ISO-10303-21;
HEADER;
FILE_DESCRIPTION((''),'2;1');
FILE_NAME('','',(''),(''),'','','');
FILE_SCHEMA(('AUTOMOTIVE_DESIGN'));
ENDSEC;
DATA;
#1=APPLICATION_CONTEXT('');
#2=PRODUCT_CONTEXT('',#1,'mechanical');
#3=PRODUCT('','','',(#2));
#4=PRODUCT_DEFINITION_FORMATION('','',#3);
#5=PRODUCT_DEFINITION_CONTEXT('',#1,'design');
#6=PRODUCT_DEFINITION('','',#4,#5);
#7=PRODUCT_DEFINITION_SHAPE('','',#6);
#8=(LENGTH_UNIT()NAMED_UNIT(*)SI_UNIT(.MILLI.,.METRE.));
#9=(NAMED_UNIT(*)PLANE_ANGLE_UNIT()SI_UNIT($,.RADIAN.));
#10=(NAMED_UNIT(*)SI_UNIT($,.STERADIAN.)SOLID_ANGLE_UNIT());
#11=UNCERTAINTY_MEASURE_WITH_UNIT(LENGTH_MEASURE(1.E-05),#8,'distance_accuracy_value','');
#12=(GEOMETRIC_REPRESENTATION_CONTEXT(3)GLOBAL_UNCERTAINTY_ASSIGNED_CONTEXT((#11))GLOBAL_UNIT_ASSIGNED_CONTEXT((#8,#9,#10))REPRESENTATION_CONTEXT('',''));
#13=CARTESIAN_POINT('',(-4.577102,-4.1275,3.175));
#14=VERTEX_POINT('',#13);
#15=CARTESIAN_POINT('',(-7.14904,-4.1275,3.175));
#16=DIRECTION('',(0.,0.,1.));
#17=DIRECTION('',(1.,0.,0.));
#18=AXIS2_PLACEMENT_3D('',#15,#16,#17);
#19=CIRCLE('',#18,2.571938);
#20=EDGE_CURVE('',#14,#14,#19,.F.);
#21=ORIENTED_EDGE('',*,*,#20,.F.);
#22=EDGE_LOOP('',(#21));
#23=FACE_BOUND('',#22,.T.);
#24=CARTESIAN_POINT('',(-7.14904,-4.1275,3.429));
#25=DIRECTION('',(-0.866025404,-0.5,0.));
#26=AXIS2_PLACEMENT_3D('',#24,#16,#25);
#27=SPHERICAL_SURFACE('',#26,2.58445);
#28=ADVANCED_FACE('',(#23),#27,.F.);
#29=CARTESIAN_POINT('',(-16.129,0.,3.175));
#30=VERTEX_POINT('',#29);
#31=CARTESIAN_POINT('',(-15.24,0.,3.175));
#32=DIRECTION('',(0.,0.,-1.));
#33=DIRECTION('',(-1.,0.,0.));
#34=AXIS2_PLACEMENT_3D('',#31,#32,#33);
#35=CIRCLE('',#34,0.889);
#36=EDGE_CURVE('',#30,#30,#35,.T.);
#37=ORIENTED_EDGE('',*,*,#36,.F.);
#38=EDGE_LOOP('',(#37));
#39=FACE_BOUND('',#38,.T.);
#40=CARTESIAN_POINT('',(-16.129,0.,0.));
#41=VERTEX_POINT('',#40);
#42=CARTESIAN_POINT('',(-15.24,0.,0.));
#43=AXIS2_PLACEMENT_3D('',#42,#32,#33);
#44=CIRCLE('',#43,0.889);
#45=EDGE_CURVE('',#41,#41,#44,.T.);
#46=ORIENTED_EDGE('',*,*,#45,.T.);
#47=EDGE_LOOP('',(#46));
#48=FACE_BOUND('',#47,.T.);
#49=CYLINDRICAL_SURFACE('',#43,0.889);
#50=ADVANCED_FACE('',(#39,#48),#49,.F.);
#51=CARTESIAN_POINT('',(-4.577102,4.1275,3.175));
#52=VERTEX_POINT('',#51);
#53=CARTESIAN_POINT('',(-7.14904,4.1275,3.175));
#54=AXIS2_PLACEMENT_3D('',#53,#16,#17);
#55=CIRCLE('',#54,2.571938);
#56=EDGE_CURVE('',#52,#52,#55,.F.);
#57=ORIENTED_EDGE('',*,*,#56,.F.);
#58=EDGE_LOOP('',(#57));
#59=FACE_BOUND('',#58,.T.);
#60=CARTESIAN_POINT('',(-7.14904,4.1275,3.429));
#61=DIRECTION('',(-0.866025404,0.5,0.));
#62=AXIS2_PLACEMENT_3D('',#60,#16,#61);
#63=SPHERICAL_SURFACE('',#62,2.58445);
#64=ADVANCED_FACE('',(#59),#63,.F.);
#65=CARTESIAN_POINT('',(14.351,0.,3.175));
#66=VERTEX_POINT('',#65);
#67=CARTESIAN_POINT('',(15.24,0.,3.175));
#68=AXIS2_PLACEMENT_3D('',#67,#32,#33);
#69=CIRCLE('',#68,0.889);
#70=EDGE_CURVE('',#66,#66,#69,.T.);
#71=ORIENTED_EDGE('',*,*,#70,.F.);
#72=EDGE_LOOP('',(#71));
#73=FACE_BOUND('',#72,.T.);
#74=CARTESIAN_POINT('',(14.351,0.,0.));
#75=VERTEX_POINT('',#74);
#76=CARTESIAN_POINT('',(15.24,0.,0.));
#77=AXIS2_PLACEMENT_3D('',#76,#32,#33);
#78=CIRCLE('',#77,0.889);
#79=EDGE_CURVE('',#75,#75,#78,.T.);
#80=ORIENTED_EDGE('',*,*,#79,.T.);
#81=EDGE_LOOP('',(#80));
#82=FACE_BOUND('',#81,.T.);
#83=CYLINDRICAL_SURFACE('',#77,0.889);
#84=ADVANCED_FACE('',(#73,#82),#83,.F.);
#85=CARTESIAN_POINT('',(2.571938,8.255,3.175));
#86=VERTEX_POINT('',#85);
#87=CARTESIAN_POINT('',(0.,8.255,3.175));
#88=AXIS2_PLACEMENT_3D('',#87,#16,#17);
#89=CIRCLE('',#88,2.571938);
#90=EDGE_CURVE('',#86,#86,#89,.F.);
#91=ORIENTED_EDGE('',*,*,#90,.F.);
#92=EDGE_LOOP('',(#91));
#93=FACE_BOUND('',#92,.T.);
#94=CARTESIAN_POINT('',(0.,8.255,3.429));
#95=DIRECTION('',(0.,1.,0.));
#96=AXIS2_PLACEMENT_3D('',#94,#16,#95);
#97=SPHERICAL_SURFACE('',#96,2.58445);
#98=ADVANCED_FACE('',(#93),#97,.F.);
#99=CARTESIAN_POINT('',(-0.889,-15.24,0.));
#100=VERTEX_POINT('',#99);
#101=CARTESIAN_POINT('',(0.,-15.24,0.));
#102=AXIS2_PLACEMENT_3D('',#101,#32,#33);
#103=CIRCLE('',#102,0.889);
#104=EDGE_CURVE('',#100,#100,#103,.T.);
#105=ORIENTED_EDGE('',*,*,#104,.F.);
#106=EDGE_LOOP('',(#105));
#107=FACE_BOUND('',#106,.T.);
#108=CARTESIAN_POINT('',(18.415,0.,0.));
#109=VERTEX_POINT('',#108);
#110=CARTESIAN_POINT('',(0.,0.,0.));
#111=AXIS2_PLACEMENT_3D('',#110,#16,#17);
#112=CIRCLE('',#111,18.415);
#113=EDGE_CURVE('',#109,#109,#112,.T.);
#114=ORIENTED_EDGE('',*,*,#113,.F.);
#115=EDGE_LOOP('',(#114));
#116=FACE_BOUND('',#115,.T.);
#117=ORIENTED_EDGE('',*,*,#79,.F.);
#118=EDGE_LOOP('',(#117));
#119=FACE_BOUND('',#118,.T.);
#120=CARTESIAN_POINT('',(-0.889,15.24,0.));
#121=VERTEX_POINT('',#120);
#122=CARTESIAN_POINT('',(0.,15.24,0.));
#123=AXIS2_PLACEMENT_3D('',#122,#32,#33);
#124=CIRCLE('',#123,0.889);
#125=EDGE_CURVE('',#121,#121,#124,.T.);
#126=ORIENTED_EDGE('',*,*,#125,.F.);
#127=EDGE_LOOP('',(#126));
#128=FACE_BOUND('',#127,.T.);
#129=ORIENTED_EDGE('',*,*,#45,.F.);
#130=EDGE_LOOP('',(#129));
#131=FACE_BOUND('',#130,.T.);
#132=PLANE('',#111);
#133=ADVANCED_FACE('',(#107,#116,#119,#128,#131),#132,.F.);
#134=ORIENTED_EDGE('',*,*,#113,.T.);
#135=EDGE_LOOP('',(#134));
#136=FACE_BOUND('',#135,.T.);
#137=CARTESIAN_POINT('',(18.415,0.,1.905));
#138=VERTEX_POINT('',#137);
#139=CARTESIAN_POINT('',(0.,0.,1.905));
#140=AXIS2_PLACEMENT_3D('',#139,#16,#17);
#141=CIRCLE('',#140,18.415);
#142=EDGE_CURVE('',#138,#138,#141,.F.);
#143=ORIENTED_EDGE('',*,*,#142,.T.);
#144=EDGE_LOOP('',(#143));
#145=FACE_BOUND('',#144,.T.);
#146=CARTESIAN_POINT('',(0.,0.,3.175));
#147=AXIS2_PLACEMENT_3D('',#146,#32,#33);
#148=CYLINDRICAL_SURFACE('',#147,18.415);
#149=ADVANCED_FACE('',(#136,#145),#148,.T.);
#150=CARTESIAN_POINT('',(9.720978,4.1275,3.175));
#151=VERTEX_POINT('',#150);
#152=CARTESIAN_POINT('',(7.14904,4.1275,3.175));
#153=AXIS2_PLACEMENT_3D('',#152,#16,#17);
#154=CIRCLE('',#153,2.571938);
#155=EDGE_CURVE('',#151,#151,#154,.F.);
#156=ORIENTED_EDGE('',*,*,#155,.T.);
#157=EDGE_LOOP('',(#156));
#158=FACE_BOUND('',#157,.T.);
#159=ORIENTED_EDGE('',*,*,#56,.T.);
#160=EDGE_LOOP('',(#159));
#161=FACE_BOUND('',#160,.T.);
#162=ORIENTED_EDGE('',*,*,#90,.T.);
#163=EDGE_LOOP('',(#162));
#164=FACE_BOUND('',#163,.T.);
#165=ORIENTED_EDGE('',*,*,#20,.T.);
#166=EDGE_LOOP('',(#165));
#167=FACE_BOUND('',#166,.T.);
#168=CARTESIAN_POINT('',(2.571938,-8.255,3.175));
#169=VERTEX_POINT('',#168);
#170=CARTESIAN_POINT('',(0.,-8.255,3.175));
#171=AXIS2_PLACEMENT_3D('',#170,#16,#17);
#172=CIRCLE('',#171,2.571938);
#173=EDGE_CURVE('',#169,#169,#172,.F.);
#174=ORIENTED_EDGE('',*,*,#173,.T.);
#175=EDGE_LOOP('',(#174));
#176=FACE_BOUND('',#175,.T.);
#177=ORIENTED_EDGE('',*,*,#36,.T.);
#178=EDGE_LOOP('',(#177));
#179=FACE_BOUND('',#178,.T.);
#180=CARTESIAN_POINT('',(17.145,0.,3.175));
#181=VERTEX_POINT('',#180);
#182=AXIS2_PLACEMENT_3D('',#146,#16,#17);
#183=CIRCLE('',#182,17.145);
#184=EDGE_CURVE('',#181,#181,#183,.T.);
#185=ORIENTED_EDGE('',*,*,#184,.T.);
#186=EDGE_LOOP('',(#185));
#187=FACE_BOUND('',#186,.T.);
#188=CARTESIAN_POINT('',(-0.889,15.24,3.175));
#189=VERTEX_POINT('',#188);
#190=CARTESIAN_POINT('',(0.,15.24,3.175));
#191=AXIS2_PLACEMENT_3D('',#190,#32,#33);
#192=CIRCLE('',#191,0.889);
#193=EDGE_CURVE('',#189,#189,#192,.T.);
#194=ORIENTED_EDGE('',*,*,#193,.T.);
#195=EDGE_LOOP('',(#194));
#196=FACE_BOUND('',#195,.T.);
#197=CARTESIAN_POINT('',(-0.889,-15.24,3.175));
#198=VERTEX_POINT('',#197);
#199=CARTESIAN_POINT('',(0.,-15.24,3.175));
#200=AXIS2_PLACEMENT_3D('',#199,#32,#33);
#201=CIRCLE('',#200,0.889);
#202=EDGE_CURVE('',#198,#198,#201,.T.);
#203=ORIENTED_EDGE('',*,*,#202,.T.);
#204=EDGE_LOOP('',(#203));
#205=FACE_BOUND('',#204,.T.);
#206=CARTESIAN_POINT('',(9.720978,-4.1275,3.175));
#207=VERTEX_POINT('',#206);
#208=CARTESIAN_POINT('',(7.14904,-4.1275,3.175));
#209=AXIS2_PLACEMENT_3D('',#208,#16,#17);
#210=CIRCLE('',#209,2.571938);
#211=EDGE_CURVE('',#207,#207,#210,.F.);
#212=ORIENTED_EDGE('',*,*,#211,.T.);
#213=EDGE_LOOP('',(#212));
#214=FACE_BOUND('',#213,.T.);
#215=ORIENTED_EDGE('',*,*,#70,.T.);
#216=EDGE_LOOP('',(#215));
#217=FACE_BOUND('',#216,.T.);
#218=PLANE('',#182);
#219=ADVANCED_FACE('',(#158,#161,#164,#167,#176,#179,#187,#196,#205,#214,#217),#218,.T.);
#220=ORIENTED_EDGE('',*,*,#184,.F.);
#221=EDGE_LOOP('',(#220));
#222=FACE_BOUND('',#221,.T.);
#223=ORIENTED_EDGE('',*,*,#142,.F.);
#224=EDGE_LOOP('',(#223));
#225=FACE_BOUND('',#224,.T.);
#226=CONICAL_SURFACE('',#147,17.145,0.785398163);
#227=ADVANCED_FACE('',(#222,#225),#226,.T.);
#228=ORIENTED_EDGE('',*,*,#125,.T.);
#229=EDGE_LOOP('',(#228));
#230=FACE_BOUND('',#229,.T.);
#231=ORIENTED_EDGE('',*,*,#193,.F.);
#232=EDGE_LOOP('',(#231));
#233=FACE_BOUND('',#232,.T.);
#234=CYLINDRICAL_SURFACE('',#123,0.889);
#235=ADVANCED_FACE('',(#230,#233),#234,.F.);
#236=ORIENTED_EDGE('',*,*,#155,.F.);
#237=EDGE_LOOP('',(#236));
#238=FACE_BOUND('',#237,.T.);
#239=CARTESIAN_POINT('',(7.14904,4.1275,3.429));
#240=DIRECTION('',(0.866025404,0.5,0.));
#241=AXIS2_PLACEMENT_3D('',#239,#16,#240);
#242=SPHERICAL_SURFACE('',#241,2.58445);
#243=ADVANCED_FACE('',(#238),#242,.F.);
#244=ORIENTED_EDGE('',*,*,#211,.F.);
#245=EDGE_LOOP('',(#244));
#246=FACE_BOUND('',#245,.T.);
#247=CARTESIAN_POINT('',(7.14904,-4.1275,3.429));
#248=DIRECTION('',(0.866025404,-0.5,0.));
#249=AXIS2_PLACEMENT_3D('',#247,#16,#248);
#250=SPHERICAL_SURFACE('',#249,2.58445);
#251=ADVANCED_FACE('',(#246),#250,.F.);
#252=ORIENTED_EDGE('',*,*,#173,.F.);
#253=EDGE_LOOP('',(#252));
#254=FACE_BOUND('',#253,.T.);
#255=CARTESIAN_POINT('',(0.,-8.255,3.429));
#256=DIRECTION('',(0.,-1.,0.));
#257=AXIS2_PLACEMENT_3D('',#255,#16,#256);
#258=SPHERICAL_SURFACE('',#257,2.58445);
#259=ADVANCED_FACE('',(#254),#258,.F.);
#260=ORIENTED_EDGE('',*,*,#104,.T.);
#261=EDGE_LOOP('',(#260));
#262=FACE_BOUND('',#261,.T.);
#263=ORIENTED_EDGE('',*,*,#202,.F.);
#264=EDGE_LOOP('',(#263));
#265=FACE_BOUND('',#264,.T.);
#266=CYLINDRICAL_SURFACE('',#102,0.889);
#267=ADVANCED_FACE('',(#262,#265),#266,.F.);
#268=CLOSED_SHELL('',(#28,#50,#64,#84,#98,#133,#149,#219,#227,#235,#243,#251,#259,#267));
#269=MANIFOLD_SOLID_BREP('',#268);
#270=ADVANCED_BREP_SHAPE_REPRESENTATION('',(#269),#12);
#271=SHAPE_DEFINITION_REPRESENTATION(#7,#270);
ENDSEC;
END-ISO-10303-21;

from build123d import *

# Parameters (mm, degrees)
SKETCH1_R             = 18.415
BOSS_EXTRUDE1_DEPTH   = 3.175
CIRPATTERN1_COUNT     = 6
F_2_56_TAPPED_HOLE1_D = 1.778
CHAMFER1_SIZE         = 1.27


with BuildPart() as part:
    # Sketch1 → Boss-Extrude1 (new body)
    with BuildSketch(Plane.XY):
        Circle(SKETCH1_R)
    extrude(amount=BOSS_EXTRUDE1_DEPTH)

    # Sketch3 → Cut-Revolve1 (revolve, cut)
    with BuildSketch(Plane(origin=(0, 0, 0), x_dir=(0, 0, -1), z_dir=(1, 0, 0))):
        with BuildLine():
            Line((-6.01345, 8.255), (-0.84455, 8.255))
            ThreePointArc((-0.84455, 8.255), (-3.429, 10.83945), (-6.01345, 8.255))
        make_face()
    cut_revolve1 = revolve(axis=Axis((0, 8.255, 6.01345), (0, 0, -1)), mode=Mode.SUBTRACT)

    # CirPattern1: Cut-Revolve1 ×6 about axis
    cirpattern1_axis = Axis((0, 0, 3.175), (0, 0, -1))
    for i in range(1, CIRPATTERN1_COUNT):
        add(cut_revolve1.rotate(cirpattern1_axis, i * 360 / CIRPATTERN1_COUNT), mode=Mode.SUBTRACT)

    # #2-56 Tapped Hole1 (through all)
    with Locations(Plane(origin=(0, 0, 0), x_dir=(-1, 0, 0), z_dir=(0, 0, -1))):
        with Locations((0, 15.24), (15.24, 0), (0, -15.24), (-15.24, 0)):
            Hole(F_2_56_TAPPED_HOLE1_D / 2)

    # Chamfer1
    chamfer1_edges = [part.edges().sort_by_distance(p)[0] for p in [
        (-18.415, 0, 3.175),
    ]]
    chamfer(chamfer1_edges, length=CHAMFER1_SIZE)


solid = part.part
